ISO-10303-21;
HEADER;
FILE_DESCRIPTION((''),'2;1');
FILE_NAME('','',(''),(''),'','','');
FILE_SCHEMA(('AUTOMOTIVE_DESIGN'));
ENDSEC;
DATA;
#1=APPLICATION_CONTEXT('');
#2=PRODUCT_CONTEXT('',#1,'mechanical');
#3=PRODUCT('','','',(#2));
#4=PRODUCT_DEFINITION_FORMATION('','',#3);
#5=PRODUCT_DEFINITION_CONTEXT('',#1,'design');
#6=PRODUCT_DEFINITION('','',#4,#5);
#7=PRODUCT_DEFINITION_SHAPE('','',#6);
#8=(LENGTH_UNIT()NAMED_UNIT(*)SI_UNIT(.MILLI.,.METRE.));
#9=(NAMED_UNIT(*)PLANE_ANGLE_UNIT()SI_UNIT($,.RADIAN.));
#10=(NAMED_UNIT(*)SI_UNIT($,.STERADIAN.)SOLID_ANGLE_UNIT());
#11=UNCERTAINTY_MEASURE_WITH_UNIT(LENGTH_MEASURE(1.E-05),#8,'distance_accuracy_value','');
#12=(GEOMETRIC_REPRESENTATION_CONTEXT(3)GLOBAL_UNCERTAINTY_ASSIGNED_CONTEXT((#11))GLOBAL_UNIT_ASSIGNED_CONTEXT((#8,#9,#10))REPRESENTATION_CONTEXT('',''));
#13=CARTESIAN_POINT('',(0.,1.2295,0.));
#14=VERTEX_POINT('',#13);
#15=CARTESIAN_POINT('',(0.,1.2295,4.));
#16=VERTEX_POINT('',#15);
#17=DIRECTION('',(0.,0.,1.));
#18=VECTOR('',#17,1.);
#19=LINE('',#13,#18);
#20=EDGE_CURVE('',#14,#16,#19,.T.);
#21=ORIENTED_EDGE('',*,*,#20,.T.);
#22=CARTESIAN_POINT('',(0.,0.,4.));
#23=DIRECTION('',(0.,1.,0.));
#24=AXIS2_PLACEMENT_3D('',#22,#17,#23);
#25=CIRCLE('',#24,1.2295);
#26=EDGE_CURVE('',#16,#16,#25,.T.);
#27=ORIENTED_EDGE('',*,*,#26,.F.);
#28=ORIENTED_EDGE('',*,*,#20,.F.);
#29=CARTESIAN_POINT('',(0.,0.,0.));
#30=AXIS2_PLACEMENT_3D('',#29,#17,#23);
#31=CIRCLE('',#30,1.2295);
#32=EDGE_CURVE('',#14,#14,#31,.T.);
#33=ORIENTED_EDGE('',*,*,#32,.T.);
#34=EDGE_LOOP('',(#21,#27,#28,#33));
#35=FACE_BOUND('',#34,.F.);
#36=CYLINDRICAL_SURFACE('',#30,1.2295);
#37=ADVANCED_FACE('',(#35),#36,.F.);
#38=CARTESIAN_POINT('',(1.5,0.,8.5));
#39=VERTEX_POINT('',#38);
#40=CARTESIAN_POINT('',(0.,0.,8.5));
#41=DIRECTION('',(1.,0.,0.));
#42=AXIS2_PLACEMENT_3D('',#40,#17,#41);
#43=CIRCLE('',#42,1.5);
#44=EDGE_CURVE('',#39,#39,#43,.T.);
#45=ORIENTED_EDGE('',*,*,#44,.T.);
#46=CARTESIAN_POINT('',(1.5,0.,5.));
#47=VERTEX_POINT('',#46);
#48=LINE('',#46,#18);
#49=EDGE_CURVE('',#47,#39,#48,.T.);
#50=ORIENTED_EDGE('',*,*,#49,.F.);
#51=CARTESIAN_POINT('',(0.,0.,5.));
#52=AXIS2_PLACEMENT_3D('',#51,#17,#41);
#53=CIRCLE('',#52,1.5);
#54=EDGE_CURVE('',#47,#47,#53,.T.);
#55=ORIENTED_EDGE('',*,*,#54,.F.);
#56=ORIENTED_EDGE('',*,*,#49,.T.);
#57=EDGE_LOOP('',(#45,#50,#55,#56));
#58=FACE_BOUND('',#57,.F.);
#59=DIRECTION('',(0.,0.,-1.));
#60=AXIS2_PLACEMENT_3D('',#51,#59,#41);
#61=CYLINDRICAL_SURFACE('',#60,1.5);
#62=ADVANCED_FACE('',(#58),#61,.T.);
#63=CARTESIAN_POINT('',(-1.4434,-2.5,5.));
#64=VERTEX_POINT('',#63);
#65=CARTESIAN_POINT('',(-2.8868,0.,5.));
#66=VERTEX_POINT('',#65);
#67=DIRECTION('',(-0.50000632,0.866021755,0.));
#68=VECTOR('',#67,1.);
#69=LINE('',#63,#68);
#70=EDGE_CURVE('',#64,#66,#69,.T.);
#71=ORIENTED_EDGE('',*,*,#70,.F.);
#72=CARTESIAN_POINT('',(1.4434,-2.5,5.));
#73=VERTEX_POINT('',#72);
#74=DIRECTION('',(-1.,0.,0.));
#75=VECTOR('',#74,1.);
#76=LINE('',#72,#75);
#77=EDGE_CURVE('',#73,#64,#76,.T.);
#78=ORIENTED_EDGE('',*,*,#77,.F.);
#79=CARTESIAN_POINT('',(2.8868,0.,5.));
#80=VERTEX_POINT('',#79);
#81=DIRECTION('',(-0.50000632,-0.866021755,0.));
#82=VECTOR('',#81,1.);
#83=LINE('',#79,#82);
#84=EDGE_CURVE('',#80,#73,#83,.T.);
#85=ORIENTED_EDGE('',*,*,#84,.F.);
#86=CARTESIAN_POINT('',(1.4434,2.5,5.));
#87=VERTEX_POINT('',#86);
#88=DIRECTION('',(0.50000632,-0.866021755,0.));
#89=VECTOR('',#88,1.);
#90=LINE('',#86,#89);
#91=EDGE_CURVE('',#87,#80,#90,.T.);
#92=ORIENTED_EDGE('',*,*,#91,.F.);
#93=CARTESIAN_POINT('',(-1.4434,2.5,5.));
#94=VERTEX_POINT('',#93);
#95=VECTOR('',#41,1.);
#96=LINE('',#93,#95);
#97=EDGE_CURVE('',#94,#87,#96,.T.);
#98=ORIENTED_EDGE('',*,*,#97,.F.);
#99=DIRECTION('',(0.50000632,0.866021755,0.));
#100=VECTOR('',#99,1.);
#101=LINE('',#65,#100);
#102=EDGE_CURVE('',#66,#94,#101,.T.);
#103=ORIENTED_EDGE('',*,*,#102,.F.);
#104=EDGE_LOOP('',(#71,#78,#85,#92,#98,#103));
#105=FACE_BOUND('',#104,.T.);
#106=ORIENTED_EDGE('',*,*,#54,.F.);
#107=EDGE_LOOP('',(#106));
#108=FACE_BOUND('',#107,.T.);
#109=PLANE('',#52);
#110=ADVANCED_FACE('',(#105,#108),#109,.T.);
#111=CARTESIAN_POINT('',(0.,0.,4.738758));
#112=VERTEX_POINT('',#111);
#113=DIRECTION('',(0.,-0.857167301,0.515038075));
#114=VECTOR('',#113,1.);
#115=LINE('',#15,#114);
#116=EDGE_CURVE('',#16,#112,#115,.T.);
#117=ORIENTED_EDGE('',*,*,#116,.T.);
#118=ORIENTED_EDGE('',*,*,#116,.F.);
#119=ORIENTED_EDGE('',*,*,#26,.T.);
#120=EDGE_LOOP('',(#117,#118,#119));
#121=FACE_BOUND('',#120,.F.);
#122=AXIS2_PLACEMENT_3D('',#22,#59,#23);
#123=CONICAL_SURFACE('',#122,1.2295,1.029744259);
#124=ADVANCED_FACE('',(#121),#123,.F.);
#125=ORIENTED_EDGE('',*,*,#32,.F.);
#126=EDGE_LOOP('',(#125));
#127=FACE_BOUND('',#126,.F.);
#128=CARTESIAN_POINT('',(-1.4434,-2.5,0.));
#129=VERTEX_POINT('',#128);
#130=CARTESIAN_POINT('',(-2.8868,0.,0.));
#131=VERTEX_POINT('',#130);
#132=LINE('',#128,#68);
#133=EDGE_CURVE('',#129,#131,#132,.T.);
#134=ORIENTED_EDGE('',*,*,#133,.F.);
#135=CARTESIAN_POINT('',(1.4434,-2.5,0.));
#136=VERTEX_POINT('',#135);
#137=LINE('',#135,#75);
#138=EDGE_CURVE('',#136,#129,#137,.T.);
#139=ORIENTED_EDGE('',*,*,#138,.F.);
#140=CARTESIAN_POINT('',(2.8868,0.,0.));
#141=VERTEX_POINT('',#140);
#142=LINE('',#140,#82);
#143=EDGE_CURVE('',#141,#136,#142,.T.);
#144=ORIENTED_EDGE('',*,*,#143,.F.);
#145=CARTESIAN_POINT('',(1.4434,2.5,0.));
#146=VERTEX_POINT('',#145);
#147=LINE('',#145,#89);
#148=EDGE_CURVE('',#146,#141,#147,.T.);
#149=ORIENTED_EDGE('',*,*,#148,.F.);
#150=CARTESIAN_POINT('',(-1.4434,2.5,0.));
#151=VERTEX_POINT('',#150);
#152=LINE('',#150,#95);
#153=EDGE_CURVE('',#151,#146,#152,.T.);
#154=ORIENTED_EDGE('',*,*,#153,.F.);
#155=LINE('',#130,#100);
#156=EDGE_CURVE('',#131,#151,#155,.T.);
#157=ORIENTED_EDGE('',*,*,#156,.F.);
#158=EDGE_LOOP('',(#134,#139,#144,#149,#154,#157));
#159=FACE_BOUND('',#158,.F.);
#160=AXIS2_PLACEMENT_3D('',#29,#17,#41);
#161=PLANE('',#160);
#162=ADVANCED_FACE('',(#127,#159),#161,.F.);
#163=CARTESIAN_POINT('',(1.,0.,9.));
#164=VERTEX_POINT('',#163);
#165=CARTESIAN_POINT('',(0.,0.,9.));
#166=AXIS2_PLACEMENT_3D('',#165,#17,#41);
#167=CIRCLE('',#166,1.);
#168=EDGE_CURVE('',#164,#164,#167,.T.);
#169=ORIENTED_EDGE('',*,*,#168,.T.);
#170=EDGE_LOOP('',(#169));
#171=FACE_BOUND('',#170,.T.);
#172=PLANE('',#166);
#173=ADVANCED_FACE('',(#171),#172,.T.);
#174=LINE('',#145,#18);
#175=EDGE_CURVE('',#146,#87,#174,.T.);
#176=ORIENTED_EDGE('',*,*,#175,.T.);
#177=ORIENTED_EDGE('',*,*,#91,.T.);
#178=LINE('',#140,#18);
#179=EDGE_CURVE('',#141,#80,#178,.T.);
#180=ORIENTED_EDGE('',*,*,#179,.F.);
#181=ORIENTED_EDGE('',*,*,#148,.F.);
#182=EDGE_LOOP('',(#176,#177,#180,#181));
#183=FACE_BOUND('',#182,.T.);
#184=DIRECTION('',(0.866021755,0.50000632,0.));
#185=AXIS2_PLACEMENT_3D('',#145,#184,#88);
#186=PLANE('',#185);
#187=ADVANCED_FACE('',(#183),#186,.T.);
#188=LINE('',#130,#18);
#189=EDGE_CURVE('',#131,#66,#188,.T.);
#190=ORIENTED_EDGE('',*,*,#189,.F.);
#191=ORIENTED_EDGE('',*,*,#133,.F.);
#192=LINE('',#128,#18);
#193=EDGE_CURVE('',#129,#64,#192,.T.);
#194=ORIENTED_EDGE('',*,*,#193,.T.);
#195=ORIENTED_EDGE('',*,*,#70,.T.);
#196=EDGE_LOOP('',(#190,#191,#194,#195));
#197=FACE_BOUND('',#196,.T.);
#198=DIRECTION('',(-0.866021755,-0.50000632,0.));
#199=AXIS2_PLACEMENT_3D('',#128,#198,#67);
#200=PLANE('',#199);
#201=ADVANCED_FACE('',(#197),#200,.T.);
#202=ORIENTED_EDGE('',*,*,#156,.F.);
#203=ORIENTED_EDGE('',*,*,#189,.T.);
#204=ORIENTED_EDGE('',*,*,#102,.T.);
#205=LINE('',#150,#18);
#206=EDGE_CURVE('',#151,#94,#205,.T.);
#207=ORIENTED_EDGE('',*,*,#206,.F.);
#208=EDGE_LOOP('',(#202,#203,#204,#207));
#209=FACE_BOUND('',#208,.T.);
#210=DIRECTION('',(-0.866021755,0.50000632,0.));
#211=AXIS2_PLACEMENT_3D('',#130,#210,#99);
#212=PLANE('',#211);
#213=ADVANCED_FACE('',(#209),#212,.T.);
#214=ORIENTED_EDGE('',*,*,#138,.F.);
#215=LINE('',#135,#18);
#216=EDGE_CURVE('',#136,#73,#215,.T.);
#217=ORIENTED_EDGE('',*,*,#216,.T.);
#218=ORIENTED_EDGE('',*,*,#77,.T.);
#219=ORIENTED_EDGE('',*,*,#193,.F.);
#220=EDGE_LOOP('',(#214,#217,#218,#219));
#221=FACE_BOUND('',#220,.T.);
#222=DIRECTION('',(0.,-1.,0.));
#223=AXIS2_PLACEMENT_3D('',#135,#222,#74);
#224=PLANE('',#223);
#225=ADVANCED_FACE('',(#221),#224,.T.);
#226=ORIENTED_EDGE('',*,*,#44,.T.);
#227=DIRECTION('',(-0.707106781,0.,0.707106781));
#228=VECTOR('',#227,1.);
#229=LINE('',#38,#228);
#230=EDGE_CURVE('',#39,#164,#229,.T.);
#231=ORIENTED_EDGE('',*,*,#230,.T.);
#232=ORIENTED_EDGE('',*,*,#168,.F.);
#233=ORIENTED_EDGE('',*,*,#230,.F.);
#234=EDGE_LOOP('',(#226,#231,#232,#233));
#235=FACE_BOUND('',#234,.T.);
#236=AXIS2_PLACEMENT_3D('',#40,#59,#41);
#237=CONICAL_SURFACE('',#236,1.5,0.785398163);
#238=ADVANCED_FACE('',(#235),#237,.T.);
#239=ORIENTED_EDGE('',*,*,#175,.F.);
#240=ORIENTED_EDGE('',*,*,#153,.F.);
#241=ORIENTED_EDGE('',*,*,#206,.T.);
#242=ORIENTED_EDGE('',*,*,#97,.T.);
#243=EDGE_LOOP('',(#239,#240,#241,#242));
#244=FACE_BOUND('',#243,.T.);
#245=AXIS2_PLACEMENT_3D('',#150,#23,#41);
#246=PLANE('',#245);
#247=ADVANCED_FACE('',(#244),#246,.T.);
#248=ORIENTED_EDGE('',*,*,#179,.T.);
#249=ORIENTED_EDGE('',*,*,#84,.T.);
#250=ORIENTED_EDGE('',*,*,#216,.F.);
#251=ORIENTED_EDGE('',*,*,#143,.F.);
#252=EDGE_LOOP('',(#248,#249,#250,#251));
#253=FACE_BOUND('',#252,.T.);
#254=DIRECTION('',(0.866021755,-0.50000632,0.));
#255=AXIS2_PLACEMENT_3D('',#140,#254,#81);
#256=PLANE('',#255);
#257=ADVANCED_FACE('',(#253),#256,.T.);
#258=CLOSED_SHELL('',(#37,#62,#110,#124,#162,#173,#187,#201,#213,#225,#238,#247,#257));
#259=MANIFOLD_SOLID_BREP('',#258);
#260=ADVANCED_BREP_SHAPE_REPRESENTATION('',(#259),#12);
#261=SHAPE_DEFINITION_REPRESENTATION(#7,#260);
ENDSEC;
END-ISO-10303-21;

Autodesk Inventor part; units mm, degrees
ref_plane "YZ Plane" through (0, 0, 0) normal (1, 0, 0) x (0, 1, 0)
ref_plane "XZ Plane" through (0, 0, 0) normal (0, 1, 0) x (-1, 0, 0)
ref_plane "XY Plane" through (0, 0, 0) normal (0, 0, 1) x (1, 0, 0)
sketch "Sketch1" plane through (0, 0, 0) normal (0, 0, 1) x (1, 0, 0)
  line L0 (2.8868, 0) -> (1.4434, -2.5)
  line L1 (1.4434, -2.5) -> (-1.4434, -2.5)
  line L2 (-1.4434, -2.5) -> (-2.8868, 0)
  line L3 (-2.8868, 0) -> (-1.4434, 2.5)
  line L4 (-1.4434, 2.5) -> (1.4434, 2.5)
  line L5 (1.4434, 2.5) -> (2.8868, 0)
  point P0 (0, 0)
  point P1 (0, 0)
  dimension "d0" = 5
extrude "Extrusion1" add sketch "Sketch1" along normal blind 5
sketch "Sketch2" plane through (0, 0, 5) normal (0, 0, 1) x (1, 0, 0)
  circle A0 centre (0, 0) radius 1.5
  dimension "d3" = 3
extrude "Extrusion2" add sketch "Sketch2" along normal blind 4
chamfer "Chamfer1" distance 0.5 angle 45 1 edges at (-1.5, 0, 9)
thread "Thread1" size "M3x0.5" class "6g" standard "ANSI Metric M Profile" full length
sketch "Sketch3" plane through (0, 0, 0) normal (0, 0, -1) x (-1, 0, 0)
  point P0 (0, 0)
  point P1 (0, 0)
hole "Hole1" at (0, 0, 0) direction (0, 0, 1) diameter 2.459 depth 4 tip angle 118 thread size "M3x0.5" class "6H" standard "ISO Metric profile"
properties part number "Abstandshalter_5mm" material "Stainless Steel"
